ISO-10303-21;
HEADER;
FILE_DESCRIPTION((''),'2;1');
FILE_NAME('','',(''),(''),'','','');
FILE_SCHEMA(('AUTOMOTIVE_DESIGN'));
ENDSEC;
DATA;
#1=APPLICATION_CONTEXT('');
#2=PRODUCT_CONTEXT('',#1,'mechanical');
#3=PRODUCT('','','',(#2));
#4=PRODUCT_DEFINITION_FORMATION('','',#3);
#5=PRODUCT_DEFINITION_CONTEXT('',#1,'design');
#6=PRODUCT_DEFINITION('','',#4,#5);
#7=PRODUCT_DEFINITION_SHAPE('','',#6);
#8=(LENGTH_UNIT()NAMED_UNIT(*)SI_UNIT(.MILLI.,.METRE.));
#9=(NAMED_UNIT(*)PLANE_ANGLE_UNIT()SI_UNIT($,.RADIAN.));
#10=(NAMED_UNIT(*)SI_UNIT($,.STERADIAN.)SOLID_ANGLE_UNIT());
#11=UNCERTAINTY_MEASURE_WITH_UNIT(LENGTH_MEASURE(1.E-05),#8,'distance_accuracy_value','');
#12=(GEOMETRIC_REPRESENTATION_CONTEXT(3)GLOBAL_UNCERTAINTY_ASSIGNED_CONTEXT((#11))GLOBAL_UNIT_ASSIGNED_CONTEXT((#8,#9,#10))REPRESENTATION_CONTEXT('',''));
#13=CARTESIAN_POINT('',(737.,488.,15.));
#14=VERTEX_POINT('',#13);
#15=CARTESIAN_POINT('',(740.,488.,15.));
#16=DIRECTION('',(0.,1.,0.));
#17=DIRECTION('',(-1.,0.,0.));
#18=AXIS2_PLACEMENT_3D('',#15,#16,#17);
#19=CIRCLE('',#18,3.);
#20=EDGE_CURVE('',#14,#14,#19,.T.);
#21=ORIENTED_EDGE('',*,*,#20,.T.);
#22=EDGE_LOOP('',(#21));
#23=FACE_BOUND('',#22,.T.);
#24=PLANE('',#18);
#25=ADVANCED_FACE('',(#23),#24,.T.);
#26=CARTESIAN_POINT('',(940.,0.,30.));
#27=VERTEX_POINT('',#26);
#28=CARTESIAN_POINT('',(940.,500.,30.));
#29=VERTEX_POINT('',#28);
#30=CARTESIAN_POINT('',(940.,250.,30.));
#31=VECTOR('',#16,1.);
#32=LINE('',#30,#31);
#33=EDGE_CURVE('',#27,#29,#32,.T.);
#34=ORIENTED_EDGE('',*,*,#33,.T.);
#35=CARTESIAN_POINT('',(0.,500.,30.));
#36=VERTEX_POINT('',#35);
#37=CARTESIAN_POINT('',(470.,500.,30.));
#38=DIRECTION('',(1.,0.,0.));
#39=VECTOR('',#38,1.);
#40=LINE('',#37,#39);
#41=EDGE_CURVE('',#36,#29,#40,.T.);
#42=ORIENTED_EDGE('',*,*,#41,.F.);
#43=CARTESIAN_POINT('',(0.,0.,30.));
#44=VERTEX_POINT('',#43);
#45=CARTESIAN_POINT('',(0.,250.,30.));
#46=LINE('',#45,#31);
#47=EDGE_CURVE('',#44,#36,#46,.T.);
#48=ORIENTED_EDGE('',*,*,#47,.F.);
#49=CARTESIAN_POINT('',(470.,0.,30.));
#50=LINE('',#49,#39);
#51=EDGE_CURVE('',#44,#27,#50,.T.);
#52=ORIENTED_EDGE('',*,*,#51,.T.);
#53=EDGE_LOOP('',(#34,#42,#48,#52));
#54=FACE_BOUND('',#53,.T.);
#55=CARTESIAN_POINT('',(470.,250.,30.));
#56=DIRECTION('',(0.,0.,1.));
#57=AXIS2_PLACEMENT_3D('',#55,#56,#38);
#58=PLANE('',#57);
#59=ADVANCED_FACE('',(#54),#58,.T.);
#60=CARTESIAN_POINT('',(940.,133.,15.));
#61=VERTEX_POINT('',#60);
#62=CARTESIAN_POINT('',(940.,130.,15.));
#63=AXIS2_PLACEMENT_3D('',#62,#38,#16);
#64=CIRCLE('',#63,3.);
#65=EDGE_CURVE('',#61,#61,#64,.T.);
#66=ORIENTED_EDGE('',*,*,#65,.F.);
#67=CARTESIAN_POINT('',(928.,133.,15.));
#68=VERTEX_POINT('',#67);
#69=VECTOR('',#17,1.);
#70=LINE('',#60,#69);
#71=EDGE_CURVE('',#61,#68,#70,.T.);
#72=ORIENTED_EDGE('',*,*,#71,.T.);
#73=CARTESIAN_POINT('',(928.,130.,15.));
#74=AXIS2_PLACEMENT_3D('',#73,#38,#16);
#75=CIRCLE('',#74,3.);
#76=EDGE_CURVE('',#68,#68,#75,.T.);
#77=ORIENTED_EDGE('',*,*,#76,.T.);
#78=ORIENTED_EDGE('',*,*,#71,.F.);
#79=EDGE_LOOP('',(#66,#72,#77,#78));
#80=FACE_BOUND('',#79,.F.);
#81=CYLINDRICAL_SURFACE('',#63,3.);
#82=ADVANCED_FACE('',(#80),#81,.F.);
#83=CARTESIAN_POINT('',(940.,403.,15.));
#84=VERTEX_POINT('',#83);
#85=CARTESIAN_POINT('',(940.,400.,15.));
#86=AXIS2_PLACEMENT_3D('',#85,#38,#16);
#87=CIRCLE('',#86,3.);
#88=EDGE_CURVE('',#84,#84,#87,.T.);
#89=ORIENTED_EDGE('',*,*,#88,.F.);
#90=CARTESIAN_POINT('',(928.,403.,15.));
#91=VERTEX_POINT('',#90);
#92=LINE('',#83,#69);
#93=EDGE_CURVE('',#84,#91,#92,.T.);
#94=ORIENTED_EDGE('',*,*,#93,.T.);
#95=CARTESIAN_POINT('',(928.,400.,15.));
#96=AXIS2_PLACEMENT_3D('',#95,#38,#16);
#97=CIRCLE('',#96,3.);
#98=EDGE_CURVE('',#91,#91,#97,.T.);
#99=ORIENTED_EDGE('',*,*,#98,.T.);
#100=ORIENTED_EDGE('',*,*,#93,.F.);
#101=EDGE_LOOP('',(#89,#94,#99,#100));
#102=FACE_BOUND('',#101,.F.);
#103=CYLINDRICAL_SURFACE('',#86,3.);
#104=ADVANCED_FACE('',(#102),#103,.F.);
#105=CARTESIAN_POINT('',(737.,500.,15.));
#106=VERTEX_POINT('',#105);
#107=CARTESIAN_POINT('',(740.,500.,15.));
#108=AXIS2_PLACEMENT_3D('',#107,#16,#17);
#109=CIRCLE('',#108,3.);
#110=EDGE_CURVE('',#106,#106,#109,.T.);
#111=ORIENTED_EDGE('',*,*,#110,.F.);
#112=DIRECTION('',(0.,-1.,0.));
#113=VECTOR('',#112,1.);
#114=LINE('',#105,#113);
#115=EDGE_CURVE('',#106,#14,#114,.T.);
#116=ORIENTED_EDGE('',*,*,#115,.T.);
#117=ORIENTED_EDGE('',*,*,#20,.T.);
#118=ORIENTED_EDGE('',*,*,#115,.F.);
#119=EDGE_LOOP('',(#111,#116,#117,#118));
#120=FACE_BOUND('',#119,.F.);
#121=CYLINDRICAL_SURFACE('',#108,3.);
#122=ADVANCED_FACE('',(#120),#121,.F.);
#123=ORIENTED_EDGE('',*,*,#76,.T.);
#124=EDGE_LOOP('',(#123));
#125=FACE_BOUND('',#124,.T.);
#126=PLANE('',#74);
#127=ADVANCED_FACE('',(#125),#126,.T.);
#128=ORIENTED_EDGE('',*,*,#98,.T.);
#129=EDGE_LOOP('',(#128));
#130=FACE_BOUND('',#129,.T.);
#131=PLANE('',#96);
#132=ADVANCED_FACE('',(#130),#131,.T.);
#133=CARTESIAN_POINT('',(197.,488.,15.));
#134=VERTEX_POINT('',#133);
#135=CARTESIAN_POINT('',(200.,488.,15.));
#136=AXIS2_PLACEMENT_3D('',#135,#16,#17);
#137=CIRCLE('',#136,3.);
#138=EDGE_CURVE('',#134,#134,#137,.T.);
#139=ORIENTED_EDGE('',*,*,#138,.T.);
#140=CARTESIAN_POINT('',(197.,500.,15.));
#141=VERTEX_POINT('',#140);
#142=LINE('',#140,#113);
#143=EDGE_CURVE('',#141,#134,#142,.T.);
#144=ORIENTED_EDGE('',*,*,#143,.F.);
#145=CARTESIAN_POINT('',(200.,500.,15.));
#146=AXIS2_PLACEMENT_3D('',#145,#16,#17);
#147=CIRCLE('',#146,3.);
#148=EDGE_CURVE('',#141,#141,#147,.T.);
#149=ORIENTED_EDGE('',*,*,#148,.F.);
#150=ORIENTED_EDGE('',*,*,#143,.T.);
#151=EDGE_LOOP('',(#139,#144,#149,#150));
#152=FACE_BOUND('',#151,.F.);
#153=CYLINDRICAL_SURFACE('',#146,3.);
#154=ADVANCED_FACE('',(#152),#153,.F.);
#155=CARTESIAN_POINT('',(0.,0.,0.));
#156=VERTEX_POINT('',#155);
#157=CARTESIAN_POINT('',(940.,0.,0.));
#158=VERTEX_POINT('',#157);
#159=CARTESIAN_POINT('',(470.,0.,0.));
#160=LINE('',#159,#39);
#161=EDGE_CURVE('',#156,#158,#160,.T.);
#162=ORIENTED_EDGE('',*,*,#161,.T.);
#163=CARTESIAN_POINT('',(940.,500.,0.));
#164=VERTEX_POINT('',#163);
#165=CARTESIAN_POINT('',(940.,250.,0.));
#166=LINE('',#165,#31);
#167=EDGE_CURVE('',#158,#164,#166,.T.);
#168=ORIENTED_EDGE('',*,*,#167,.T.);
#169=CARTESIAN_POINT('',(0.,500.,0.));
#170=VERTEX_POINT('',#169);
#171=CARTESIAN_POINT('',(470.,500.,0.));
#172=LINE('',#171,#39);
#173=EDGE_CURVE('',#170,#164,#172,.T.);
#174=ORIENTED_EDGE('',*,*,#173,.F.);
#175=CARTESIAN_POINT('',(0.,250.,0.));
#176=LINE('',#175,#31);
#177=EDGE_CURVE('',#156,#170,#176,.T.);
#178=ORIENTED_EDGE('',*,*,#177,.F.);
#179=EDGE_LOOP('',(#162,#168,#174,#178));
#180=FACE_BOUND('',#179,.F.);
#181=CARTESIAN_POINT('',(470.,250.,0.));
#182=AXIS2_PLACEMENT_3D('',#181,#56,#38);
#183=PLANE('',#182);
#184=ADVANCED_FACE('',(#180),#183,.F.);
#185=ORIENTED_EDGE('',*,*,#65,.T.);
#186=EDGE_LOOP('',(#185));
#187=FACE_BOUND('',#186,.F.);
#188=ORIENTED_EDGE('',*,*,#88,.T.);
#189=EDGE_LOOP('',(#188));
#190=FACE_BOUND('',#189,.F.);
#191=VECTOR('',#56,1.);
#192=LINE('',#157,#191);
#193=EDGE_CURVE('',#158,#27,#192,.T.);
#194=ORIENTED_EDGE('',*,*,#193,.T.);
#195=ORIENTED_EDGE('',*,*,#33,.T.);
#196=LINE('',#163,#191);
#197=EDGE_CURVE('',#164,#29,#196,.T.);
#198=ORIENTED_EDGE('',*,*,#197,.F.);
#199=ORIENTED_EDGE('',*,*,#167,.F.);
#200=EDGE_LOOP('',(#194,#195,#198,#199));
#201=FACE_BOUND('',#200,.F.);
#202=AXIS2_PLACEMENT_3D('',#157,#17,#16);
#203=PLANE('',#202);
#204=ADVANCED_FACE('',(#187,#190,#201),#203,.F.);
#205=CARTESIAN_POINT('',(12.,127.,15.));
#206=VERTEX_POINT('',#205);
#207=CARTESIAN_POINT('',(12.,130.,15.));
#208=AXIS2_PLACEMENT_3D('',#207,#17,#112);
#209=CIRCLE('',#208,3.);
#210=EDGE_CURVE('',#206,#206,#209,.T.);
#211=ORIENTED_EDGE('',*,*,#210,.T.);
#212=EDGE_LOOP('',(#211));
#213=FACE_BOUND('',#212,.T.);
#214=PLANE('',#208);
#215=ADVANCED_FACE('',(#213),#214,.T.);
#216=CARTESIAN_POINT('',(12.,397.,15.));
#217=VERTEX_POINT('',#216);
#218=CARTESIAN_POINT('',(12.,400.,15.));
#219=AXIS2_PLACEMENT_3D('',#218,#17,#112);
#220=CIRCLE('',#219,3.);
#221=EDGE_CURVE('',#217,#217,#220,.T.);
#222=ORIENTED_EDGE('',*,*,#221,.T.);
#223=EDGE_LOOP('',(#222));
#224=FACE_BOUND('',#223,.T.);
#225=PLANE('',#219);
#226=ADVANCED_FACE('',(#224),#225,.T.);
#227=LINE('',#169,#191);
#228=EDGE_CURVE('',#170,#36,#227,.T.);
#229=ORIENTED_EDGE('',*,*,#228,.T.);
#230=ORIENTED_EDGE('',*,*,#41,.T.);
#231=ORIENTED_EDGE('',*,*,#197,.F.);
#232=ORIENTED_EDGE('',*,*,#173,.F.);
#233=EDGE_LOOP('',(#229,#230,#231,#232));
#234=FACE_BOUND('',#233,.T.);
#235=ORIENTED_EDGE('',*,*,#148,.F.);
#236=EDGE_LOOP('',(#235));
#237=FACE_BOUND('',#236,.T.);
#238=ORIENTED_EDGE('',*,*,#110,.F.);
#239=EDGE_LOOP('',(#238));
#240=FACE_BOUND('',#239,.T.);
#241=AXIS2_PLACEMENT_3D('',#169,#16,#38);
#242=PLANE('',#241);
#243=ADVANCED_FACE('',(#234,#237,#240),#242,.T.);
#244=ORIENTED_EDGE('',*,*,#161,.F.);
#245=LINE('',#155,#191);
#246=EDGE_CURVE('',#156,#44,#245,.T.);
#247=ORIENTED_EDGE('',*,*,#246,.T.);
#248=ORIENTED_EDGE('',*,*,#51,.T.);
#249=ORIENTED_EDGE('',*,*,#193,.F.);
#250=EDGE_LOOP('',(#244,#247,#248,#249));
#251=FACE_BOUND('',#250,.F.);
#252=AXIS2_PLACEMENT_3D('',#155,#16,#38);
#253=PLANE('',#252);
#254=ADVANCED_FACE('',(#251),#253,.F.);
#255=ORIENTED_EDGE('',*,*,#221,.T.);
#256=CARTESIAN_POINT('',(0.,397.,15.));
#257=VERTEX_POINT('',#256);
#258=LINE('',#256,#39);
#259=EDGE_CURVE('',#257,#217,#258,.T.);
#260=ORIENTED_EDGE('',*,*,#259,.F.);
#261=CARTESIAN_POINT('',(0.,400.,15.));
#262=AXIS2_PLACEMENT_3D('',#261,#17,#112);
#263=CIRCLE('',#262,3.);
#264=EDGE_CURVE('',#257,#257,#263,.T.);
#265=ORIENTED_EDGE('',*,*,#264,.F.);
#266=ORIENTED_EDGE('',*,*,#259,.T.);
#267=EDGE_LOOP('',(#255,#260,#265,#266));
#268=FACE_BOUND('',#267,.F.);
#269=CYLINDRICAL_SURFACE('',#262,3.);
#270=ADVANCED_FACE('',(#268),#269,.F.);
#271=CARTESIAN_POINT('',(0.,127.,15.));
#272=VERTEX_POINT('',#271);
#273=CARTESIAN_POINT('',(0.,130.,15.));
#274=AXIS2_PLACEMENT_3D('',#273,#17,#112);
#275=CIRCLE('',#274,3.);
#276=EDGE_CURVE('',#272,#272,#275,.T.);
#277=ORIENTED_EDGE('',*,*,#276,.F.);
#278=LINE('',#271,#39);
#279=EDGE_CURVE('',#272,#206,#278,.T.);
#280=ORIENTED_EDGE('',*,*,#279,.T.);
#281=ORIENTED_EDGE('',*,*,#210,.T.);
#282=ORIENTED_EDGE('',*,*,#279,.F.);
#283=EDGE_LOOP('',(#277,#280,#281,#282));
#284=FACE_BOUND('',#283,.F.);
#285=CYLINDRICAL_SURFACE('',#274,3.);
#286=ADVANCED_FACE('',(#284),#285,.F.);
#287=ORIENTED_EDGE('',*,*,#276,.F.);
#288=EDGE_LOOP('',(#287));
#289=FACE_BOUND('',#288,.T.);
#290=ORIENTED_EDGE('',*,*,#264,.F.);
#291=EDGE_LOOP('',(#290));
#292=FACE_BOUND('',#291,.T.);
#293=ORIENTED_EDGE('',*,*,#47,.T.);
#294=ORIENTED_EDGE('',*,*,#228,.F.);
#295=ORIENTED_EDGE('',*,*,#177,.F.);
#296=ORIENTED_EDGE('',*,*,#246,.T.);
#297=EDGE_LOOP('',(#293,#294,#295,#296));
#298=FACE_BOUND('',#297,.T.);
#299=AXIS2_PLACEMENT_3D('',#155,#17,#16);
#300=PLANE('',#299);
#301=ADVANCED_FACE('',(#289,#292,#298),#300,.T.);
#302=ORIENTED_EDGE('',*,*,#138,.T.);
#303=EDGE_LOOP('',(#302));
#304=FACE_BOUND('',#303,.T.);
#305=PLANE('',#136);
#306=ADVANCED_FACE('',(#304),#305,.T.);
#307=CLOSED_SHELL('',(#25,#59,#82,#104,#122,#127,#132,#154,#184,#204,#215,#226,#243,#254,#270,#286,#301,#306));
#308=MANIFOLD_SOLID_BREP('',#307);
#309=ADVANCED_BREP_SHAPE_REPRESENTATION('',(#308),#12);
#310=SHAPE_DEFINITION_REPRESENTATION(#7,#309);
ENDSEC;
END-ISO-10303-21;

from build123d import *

# Parameters (mm, degrees)
F0_W      = 940
F0_H      = 500
F1_DEPTH  = 30
F2_R      = 3
F3_DEPTH  = 12
F4_R      = 3
F5_DEPTH  = 12
F6_R      = 3
F7_DEPTH  = 12
F8_R      = 3
F9_DEPTH  = 12
F10_R     = 3
F11_DEPTH = 12


with BuildPart() as f1:
    # F0 (on Top) → F1 (new body)
    with BuildSketch(Plane.XY):
        with Locations((470, 250)):
            Rectangle(F0_W, F0_H)
    extrude(amount=F1_DEPTH)

    # F2 (on face) → F3 (cut)
    with BuildSketch(Plane.YZ.offset(940)):
        with Locations((130, 15)):
            Circle(F2_R)
    extrude(amount=-F3_DEPTH, mode=Mode.SUBTRACT)

    # F4 (on face) → F5 (cut)
    with BuildSketch(Plane.YZ.offset(940)):
        with Locations((400, 15)):
            Circle(F4_R)
    extrude(amount=-F5_DEPTH, mode=Mode.SUBTRACT)

    # F6 (on face) → F7 (cut)
    with BuildSketch(Plane(origin=(0, 0, 0), x_dir=(0, -1, 0), z_dir=(-1, 0, 0))):
        with Locations((-400, 15)):
            Circle(F6_R)
    extrude(amount=-F7_DEPTH, mode=Mode.SUBTRACT)

    # F8 (on face) → F9 (cut)
    with BuildSketch(Plane(origin=(0, 0, 0), x_dir=(0, -1, 0), z_dir=(-1, 0, 0))):
        with Locations((-130, 15)):
            Circle(F8_R)
    extrude(amount=-F9_DEPTH, mode=Mode.SUBTRACT)

    # F10 (on face) → F11 (cut)
    with BuildSketch(Plane(origin=(0, 500, 0), x_dir=(-1, 0, 0), z_dir=(0, 1, 0))):
        with Locations((-740, 15)):
            Circle(F10_R)
        with Locations((-200, 15)):
            Circle(F10_R)
    extrude(amount=-F11_DEPTH, mode=Mode.SUBTRACT)


solid = f1.part
